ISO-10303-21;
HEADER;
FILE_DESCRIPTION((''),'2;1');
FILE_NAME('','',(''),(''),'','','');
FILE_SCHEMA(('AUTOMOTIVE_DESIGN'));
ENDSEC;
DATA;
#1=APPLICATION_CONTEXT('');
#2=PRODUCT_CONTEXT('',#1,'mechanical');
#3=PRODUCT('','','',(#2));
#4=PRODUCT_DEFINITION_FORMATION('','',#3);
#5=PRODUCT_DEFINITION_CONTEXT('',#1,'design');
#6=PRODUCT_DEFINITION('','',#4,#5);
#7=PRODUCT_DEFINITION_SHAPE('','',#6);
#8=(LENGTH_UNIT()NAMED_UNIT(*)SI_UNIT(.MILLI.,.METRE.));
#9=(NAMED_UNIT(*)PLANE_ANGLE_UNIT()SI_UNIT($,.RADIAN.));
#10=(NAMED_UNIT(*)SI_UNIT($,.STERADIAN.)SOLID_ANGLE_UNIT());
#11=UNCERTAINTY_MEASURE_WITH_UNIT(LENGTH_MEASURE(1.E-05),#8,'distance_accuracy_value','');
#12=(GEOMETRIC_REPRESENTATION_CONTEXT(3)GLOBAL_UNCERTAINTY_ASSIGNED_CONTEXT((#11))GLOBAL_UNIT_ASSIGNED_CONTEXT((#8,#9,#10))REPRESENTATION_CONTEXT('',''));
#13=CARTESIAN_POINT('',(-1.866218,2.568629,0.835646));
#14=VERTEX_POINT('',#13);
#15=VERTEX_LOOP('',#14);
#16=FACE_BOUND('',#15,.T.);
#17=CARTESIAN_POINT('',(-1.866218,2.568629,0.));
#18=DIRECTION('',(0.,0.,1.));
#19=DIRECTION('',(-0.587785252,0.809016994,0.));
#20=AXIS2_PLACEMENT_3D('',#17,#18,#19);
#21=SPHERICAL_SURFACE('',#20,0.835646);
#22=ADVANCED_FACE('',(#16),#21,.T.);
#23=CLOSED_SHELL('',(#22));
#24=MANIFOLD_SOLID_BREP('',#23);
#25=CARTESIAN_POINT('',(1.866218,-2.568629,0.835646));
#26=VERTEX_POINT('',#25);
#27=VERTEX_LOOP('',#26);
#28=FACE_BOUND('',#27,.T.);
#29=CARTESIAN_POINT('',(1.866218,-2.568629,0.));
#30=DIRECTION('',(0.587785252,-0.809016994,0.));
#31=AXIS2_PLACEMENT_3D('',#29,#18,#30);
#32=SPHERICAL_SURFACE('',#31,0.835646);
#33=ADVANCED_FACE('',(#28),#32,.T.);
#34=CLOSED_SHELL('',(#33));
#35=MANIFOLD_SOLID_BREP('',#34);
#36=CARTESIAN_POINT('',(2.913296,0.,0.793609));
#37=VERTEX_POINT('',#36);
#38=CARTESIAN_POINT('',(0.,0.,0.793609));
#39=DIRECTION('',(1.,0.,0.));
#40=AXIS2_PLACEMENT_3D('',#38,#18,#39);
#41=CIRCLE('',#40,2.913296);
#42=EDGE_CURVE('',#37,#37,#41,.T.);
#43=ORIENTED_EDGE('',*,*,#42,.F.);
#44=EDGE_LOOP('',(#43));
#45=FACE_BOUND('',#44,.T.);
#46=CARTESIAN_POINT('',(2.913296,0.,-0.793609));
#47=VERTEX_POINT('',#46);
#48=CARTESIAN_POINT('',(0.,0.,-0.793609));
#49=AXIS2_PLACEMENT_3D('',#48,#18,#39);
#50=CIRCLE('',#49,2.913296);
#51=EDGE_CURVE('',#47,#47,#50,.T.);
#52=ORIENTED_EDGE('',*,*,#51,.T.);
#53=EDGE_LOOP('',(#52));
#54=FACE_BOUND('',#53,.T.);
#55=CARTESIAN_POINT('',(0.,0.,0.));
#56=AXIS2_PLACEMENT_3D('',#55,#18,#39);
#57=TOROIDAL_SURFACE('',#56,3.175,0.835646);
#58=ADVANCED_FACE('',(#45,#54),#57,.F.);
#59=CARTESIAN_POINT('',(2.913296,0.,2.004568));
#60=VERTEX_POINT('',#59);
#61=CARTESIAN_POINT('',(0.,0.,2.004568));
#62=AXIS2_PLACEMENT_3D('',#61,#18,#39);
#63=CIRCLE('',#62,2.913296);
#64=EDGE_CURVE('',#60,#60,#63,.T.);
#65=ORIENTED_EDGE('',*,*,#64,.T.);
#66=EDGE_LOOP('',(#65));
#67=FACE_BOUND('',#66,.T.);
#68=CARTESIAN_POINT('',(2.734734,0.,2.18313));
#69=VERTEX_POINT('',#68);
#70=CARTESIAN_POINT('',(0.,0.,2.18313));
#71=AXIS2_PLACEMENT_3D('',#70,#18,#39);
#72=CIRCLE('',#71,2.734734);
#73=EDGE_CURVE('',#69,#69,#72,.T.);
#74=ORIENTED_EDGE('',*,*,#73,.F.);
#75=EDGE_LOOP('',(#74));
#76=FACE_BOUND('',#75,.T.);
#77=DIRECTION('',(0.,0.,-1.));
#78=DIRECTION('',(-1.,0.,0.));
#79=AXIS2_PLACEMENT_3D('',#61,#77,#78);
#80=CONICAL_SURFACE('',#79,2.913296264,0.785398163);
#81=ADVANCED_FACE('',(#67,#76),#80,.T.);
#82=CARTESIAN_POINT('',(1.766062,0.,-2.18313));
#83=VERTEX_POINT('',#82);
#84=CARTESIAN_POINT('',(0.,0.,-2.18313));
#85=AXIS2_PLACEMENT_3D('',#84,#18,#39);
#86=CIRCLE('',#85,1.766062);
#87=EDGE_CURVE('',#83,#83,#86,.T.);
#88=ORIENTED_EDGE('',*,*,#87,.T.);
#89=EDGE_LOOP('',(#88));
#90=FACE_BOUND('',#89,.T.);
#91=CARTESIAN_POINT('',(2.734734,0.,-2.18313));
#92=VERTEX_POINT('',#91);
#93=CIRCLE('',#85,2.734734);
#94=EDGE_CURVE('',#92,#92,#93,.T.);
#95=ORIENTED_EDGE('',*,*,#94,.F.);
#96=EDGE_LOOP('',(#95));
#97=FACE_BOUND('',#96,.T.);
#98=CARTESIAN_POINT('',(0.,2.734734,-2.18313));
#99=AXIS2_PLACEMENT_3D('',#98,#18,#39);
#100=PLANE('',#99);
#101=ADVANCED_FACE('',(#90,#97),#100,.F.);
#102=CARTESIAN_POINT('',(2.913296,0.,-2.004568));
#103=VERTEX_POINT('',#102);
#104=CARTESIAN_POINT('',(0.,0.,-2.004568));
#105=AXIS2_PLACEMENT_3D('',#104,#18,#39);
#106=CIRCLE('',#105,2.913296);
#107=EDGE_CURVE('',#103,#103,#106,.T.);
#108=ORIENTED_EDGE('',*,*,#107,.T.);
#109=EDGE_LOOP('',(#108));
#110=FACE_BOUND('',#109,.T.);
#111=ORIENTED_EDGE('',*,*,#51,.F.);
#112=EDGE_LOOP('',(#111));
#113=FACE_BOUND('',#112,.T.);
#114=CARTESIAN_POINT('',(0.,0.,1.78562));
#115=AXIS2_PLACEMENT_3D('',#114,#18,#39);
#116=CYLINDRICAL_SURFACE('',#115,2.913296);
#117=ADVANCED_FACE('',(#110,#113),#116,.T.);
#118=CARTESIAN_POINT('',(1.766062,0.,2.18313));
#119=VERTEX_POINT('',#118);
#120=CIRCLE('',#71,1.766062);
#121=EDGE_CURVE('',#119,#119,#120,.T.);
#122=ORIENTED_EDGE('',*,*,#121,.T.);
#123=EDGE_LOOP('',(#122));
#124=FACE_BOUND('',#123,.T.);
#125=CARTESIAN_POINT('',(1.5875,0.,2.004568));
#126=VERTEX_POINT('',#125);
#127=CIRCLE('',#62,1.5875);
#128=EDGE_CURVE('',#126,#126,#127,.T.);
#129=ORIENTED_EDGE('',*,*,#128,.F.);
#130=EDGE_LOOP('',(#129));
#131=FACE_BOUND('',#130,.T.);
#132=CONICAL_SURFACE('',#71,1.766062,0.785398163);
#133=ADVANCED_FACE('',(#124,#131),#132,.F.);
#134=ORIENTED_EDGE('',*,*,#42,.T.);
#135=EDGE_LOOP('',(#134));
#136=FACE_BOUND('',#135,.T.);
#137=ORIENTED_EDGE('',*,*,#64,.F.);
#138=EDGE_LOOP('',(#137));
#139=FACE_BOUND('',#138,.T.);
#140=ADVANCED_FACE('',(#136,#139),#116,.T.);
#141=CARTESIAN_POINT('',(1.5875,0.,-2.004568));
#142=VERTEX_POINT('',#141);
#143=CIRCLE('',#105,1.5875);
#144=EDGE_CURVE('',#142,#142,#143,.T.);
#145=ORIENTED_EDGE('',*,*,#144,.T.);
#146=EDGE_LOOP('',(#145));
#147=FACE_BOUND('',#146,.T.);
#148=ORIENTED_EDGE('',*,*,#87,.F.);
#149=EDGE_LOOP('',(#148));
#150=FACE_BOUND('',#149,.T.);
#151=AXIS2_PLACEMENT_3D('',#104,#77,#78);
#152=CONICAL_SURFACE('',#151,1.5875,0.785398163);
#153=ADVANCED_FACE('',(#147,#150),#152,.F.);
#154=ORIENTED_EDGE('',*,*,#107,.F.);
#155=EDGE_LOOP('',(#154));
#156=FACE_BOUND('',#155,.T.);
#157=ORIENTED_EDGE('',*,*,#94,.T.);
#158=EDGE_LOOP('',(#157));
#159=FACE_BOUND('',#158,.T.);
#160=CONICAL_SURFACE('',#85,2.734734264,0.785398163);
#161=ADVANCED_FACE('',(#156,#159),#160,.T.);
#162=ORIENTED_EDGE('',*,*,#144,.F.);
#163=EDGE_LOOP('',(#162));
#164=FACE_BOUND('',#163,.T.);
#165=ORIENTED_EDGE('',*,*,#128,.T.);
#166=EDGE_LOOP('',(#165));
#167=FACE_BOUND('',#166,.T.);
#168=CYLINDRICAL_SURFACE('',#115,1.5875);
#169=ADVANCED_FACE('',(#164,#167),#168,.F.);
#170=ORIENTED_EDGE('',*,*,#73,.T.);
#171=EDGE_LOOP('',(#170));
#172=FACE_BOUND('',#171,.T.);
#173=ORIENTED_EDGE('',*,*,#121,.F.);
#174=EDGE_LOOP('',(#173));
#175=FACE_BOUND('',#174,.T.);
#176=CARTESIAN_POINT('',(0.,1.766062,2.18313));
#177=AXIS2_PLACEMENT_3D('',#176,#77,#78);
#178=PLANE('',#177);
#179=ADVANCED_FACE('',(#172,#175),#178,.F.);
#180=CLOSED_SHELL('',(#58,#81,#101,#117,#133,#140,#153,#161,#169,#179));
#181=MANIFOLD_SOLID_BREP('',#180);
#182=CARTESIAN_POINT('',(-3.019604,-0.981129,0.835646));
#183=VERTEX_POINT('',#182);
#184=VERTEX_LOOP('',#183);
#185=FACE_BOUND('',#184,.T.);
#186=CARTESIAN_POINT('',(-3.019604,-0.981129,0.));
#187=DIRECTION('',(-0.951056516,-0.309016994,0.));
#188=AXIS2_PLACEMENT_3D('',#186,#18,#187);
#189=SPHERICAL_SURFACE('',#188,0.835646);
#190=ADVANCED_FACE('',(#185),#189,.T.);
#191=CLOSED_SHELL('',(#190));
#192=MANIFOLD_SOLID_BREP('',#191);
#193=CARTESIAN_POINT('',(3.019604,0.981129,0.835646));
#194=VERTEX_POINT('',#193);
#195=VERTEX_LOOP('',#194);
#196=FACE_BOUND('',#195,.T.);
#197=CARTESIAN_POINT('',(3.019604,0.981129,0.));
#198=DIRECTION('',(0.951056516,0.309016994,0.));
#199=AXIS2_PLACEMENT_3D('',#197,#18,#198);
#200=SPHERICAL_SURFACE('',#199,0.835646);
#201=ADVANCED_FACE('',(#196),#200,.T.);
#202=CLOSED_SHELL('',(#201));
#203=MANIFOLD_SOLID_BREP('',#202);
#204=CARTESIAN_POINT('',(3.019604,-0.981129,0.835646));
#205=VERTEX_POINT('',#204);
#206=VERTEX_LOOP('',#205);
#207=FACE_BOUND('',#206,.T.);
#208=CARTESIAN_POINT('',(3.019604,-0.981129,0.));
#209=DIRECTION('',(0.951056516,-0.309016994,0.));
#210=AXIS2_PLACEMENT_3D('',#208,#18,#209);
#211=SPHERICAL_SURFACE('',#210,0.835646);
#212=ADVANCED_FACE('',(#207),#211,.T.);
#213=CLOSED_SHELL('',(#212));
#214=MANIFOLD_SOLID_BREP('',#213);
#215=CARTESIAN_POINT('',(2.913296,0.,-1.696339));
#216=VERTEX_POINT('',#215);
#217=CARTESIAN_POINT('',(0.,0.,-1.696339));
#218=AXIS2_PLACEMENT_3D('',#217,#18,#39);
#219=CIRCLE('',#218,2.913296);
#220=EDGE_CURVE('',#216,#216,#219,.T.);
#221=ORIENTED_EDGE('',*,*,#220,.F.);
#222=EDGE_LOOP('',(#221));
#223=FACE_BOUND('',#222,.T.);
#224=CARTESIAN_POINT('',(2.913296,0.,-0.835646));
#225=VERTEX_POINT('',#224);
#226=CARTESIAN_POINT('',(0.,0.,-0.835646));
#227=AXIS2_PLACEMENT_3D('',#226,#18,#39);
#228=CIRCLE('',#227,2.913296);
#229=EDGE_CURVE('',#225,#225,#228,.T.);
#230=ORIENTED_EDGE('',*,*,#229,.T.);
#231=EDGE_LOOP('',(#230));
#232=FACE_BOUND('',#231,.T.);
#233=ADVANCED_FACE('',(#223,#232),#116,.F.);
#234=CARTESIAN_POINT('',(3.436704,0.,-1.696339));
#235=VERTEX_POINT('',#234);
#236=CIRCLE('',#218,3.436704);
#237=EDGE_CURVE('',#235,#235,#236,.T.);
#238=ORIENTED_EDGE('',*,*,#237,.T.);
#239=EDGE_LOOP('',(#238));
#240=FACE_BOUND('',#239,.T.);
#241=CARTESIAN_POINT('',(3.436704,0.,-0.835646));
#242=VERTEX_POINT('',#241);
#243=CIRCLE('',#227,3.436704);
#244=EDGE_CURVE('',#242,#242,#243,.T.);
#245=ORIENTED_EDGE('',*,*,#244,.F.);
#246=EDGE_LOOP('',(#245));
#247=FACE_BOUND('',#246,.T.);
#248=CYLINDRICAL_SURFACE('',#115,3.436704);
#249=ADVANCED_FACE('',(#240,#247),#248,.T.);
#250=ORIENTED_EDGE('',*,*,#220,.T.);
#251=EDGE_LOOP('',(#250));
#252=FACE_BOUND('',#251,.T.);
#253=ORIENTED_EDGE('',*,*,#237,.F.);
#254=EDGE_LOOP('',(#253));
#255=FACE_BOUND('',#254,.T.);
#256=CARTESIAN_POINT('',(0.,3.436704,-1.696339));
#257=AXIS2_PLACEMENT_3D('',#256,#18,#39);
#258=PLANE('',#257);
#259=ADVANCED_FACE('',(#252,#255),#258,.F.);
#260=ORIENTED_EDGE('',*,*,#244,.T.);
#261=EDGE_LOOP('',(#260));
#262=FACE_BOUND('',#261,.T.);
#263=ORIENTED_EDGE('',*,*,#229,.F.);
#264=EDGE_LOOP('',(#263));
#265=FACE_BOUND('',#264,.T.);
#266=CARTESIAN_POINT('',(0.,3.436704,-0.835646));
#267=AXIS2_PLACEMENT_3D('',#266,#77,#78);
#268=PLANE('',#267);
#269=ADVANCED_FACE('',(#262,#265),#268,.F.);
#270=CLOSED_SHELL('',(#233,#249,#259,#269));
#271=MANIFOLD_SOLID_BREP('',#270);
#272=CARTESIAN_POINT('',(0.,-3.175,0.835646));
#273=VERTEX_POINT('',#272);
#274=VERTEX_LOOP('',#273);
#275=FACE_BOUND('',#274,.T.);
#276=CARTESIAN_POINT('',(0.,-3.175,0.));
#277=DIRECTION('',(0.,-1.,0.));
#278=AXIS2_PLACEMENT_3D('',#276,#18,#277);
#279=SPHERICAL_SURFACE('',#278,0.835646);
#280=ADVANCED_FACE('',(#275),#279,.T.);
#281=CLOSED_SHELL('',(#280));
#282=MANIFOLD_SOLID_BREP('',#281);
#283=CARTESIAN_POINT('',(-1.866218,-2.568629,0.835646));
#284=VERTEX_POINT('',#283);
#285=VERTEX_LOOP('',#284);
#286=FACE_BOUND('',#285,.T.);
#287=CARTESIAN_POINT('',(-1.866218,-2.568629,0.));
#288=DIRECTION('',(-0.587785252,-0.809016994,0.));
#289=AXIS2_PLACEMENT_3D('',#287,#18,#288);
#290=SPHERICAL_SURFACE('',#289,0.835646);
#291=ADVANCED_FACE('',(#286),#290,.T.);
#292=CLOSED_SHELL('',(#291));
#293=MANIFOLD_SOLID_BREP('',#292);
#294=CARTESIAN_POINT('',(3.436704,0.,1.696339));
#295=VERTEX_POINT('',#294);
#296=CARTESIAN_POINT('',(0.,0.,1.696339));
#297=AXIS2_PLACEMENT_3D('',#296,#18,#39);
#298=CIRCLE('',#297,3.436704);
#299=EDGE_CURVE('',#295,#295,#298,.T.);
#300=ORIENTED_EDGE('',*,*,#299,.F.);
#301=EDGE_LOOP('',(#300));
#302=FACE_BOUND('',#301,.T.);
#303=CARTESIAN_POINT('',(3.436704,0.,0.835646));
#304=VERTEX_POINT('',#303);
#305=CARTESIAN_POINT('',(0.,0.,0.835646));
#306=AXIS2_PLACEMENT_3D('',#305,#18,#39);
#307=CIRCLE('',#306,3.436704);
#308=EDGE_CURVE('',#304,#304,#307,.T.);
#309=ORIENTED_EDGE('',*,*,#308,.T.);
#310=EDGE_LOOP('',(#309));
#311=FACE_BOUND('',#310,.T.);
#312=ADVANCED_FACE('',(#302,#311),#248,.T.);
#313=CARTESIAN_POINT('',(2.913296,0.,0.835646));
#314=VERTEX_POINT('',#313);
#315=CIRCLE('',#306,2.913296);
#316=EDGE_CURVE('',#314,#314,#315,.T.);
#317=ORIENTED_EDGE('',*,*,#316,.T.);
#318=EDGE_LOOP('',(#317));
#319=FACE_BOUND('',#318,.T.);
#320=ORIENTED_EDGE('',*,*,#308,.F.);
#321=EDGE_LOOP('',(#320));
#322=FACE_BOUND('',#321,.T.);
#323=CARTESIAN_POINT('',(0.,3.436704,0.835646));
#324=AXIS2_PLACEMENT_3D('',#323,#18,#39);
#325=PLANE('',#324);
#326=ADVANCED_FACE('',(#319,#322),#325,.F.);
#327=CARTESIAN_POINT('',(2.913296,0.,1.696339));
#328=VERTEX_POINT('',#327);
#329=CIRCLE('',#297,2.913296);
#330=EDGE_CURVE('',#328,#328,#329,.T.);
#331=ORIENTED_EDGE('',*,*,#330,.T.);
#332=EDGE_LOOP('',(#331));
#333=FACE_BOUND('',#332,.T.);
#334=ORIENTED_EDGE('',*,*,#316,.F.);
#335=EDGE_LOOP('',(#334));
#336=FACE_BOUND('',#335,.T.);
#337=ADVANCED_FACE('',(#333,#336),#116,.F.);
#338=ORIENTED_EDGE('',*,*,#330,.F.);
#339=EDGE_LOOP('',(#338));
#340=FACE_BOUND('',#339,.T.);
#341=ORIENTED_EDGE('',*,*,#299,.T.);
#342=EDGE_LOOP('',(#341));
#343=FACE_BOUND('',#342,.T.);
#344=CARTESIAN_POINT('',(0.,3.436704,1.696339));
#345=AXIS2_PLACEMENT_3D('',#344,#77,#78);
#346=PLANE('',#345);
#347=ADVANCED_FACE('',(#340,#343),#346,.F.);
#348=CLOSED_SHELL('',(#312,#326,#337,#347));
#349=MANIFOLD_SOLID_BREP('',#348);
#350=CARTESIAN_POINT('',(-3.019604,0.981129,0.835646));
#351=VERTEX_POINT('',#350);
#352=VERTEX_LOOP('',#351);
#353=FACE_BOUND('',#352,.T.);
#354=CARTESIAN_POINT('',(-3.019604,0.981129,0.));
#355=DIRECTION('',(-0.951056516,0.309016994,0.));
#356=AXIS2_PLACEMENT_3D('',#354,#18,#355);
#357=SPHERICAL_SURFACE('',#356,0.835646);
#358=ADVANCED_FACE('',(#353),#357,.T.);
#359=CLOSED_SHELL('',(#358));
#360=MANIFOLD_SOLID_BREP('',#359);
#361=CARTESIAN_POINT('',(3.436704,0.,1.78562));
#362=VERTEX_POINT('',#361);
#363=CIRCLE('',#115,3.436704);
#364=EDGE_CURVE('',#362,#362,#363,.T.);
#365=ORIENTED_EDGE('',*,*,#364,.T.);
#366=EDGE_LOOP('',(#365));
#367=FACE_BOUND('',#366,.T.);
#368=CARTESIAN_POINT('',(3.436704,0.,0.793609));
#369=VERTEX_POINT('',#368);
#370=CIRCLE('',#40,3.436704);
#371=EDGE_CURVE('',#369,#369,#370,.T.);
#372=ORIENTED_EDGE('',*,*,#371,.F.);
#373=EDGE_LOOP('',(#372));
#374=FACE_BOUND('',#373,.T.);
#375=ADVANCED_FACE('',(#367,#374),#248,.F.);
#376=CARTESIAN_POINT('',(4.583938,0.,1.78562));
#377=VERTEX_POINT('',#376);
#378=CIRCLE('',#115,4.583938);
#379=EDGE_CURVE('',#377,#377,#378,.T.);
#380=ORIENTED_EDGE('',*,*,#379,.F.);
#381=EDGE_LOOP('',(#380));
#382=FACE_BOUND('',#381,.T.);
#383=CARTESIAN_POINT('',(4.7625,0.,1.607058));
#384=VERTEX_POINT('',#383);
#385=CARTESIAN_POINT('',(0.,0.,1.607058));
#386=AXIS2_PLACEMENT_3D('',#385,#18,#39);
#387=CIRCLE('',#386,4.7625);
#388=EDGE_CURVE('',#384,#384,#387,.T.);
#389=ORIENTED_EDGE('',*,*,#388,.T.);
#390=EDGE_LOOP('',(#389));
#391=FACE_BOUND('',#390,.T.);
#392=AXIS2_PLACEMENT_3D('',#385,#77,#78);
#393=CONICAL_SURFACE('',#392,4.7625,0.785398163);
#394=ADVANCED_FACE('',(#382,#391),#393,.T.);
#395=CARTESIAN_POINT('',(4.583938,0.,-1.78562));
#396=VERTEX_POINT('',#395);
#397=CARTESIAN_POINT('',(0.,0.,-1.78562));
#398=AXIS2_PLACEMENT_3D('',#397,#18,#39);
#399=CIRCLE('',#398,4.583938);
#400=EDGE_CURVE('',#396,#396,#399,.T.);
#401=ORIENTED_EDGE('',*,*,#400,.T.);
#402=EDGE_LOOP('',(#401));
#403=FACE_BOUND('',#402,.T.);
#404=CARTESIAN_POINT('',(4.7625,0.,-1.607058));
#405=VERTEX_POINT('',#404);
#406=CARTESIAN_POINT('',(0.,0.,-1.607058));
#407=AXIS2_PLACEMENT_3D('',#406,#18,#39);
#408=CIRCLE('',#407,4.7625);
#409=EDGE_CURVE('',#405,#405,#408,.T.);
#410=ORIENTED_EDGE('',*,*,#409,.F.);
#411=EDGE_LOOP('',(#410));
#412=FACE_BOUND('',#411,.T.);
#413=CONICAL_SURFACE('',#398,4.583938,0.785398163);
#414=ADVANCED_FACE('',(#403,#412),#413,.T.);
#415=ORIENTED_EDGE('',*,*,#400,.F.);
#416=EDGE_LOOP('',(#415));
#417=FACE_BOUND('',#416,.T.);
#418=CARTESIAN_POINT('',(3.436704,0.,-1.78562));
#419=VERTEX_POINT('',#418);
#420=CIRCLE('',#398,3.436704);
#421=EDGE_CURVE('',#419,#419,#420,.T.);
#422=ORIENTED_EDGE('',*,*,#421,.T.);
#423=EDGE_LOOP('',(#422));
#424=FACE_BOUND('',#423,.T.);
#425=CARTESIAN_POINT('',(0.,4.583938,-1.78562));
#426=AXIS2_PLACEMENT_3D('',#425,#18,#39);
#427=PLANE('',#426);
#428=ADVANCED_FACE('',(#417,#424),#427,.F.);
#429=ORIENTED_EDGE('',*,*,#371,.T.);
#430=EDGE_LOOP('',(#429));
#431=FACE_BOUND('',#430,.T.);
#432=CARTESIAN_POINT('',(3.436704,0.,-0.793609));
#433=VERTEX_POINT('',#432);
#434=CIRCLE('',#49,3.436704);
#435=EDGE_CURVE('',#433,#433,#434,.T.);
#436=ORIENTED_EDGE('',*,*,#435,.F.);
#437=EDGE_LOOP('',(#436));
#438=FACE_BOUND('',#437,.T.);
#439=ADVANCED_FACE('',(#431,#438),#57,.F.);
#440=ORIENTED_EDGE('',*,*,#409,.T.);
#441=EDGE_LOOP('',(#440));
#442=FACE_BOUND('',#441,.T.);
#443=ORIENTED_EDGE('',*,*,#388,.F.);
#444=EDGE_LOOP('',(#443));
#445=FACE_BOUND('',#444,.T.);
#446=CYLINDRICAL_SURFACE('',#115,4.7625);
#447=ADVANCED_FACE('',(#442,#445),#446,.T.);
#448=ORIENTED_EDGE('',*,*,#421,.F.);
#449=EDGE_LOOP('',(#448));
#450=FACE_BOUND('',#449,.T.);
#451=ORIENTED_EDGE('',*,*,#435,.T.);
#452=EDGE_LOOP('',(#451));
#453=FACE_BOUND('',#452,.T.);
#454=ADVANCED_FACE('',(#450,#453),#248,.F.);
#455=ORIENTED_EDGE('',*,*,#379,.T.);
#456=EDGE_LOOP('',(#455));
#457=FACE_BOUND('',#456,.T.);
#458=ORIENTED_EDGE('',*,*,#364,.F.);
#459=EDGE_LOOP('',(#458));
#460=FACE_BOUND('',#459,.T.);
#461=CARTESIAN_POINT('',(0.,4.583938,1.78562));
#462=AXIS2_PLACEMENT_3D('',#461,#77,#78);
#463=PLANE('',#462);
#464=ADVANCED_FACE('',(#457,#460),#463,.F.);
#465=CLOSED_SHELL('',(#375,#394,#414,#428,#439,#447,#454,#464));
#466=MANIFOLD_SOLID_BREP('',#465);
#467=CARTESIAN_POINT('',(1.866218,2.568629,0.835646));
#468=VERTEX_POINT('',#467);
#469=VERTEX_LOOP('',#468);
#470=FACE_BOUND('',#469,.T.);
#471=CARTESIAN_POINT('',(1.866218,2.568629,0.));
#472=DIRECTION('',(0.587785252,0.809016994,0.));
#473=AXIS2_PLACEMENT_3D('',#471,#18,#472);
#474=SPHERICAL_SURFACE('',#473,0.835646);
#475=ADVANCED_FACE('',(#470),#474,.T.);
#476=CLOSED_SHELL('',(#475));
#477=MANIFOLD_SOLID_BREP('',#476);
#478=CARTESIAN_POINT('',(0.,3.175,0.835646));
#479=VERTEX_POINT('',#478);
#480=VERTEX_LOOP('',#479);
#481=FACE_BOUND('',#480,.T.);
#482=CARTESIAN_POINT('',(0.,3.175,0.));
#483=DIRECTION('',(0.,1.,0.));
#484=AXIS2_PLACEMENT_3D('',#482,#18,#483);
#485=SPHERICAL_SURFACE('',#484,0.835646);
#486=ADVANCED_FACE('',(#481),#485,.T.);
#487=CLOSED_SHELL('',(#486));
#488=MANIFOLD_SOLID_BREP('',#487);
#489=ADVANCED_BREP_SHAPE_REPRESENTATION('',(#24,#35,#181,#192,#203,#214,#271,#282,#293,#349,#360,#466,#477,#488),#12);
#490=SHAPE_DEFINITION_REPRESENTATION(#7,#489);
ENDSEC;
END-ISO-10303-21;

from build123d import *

# Parameters (mm, degrees)
CIRPATTERN1_COUNT = 10
SKETCH5_W         = 0.860693193
SKETCH5_H         = 0.523407472


with BuildPart() as part:
    # Sketch1 → Revolve1 (revolve)
    with BuildSketch(Plane(origin=(0, 0, 0), x_dir=(0, 0, -1), z_dir=(1, 0, 0))):
        with BuildLine():
            Line((1.607058, 4.7625), (-1.607058, 4.7625))
            Line((-1.607058, 4.7625), (-1.78562, 4.583938))
            Line((-1.78562, 4.583938), (-1.78562, 3.436703736))
            Line((-1.78562, 3.436703736), (-0.793608889, 3.436703736))
            ThreePointArc((-0.793608889, 3.436703736), (0, 4.010645807), (0.793608889, 3.436703736))
            Line((0.793608889, 3.436703736), (1.78562, 3.436703736))
            Line((1.78562, 3.436703736), (1.78562, 4.583938))
            Line((1.78562, 4.583938), (1.607058, 4.7625))
        make_face()
    revolve(axis=Axis((0, 0, 1.78562), (0, 0, -1)))


with BuildPart() as body_2:
    # Sketch3 → Revolve3 (revolve)
    with BuildSketch(Plane(origin=(0, 0, 0), x_dir=(0, 0, -1), z_dir=(1, 0, 0))):
        with BuildLine():
            Line((-2.18313, 1.766062), (-2.18313, 2.734734264))
            Line((-2.18313, 2.734734264), (-2.004568, 2.913296264))
            Line((-2.004568, 2.913296264), (-0.793608889, 2.913296264))
            ThreePointArc((-0.793608889, 2.913296264), (0, 2.339354193), (0.793608889, 2.913296264))
            Line((0.793608889, 2.913296264), (2.004568, 2.913296264))
            Line((2.004568, 2.913296264), (2.18313, 2.734734264))
            Line((2.18313, 2.734734264), (2.18313, 1.766062))
            Line((2.18313, 1.766062), (2.004568, 1.5875))
            Line((2.004568, 1.5875), (-2.004568, 1.5875))
            Line((-2.004568, 1.5875), (-2.18313, 1.766062))
        make_face()
    revolve(axis=Axis((0, 0, 1.78562), (0, 0, -1)))


with BuildPart() as body_3:
    # Sketch4 → Revolve4 (revolve)
    with BuildSketch(Plane(origin=(0, 0, 0), x_dir=(0, 0, -1), z_dir=(1, 0, 0))):
        with BuildLine():
            Line((-0.835645807, 3.175), (0.835645807, 3.175))
            ThreePointArc((0.835645807, 3.175), (0, 4.010645807), (-0.835645807, 3.175))
        make_face()
    revolve(axis=Axis((0, 3.175, 0.835645807), (0, 0, -1)))


with BuildPart() as cirpattern1_1:
    # CirPattern1: pattern copy
    add(body_3.part.rotate(Axis((0, 0, -1.78562), (0, 0, 1)), 1 * 360 / CIRPATTERN1_COUNT))


with BuildPart() as cirpattern1_2:
    # CirPattern1: pattern copy
    add(body_3.part.rotate(Axis((0, 0, -1.78562), (0, 0, 1)), 2 * 360 / CIRPATTERN1_COUNT))


with BuildPart() as cirpattern1_3:
    # CirPattern1: pattern copy
    add(body_3.part.rotate(Axis((0, 0, -1.78562), (0, 0, 1)), 3 * 360 / CIRPATTERN1_COUNT))


with BuildPart() as cirpattern1_4:
    # CirPattern1: pattern copy
    add(body_3.part.rotate(Axis((0, 0, -1.78562), (0, 0, 1)), 4 * 360 / CIRPATTERN1_COUNT))


with BuildPart() as cirpattern1_5:
    # CirPattern1: pattern copy
    add(body_3.part.rotate(Axis((0, 0, -1.78562), (0, 0, 1)), 5 * 360 / CIRPATTERN1_COUNT))


with BuildPart() as cirpattern1_6:
    # CirPattern1: pattern copy
    add(body_3.part.rotate(Axis((0, 0, -1.78562), (0, 0, 1)), 6 * 360 / CIRPATTERN1_COUNT))


with BuildPart() as cirpattern1_7:
    # CirPattern1: pattern copy
    add(body_3.part.rotate(Axis((0, 0, -1.78562), (0, 0, 1)), 7 * 360 / CIRPATTERN1_COUNT))


with BuildPart() as cirpattern1_8:
    # CirPattern1: pattern copy
    add(body_3.part.rotate(Axis((0, 0, -1.78562), (0, 0, 1)), 8 * 360 / CIRPATTERN1_COUNT))


with BuildPart() as cirpattern1_9:
    # CirPattern1: pattern copy
    add(body_3.part.rotate(Axis((0, 0, -1.78562), (0, 0, 1)), 9 * 360 / CIRPATTERN1_COUNT))


with BuildPart() as body_13:
    # Sketch5 → Revolve5 (revolve)
    with BuildSketch(Plane(origin=(0, 0, 0), x_dir=(0, 0, -1), z_dir=(1, 0, 0))):
        with Locations((-1.265992404, 3.175)):
            Rectangle(SKETCH5_W, SKETCH5_H)
        with Locations((1.265992404, 3.175)):
            Rectangle(SKETCH5_W, SKETCH5_H)
    revolve(axis=Axis((0, 0, 1.78562), (0, 0, -1)))


solid = Compound([part.part, body_2.part, body_3.part, cirpattern1_1.part, cirpattern1_2.part, cirpattern1_3.part, cirpattern1_4.part, cirpattern1_5.part, cirpattern1_6.part, cirpattern1_7.part, cirpattern1_8.part, cirpattern1_9.part, body_13.part])
